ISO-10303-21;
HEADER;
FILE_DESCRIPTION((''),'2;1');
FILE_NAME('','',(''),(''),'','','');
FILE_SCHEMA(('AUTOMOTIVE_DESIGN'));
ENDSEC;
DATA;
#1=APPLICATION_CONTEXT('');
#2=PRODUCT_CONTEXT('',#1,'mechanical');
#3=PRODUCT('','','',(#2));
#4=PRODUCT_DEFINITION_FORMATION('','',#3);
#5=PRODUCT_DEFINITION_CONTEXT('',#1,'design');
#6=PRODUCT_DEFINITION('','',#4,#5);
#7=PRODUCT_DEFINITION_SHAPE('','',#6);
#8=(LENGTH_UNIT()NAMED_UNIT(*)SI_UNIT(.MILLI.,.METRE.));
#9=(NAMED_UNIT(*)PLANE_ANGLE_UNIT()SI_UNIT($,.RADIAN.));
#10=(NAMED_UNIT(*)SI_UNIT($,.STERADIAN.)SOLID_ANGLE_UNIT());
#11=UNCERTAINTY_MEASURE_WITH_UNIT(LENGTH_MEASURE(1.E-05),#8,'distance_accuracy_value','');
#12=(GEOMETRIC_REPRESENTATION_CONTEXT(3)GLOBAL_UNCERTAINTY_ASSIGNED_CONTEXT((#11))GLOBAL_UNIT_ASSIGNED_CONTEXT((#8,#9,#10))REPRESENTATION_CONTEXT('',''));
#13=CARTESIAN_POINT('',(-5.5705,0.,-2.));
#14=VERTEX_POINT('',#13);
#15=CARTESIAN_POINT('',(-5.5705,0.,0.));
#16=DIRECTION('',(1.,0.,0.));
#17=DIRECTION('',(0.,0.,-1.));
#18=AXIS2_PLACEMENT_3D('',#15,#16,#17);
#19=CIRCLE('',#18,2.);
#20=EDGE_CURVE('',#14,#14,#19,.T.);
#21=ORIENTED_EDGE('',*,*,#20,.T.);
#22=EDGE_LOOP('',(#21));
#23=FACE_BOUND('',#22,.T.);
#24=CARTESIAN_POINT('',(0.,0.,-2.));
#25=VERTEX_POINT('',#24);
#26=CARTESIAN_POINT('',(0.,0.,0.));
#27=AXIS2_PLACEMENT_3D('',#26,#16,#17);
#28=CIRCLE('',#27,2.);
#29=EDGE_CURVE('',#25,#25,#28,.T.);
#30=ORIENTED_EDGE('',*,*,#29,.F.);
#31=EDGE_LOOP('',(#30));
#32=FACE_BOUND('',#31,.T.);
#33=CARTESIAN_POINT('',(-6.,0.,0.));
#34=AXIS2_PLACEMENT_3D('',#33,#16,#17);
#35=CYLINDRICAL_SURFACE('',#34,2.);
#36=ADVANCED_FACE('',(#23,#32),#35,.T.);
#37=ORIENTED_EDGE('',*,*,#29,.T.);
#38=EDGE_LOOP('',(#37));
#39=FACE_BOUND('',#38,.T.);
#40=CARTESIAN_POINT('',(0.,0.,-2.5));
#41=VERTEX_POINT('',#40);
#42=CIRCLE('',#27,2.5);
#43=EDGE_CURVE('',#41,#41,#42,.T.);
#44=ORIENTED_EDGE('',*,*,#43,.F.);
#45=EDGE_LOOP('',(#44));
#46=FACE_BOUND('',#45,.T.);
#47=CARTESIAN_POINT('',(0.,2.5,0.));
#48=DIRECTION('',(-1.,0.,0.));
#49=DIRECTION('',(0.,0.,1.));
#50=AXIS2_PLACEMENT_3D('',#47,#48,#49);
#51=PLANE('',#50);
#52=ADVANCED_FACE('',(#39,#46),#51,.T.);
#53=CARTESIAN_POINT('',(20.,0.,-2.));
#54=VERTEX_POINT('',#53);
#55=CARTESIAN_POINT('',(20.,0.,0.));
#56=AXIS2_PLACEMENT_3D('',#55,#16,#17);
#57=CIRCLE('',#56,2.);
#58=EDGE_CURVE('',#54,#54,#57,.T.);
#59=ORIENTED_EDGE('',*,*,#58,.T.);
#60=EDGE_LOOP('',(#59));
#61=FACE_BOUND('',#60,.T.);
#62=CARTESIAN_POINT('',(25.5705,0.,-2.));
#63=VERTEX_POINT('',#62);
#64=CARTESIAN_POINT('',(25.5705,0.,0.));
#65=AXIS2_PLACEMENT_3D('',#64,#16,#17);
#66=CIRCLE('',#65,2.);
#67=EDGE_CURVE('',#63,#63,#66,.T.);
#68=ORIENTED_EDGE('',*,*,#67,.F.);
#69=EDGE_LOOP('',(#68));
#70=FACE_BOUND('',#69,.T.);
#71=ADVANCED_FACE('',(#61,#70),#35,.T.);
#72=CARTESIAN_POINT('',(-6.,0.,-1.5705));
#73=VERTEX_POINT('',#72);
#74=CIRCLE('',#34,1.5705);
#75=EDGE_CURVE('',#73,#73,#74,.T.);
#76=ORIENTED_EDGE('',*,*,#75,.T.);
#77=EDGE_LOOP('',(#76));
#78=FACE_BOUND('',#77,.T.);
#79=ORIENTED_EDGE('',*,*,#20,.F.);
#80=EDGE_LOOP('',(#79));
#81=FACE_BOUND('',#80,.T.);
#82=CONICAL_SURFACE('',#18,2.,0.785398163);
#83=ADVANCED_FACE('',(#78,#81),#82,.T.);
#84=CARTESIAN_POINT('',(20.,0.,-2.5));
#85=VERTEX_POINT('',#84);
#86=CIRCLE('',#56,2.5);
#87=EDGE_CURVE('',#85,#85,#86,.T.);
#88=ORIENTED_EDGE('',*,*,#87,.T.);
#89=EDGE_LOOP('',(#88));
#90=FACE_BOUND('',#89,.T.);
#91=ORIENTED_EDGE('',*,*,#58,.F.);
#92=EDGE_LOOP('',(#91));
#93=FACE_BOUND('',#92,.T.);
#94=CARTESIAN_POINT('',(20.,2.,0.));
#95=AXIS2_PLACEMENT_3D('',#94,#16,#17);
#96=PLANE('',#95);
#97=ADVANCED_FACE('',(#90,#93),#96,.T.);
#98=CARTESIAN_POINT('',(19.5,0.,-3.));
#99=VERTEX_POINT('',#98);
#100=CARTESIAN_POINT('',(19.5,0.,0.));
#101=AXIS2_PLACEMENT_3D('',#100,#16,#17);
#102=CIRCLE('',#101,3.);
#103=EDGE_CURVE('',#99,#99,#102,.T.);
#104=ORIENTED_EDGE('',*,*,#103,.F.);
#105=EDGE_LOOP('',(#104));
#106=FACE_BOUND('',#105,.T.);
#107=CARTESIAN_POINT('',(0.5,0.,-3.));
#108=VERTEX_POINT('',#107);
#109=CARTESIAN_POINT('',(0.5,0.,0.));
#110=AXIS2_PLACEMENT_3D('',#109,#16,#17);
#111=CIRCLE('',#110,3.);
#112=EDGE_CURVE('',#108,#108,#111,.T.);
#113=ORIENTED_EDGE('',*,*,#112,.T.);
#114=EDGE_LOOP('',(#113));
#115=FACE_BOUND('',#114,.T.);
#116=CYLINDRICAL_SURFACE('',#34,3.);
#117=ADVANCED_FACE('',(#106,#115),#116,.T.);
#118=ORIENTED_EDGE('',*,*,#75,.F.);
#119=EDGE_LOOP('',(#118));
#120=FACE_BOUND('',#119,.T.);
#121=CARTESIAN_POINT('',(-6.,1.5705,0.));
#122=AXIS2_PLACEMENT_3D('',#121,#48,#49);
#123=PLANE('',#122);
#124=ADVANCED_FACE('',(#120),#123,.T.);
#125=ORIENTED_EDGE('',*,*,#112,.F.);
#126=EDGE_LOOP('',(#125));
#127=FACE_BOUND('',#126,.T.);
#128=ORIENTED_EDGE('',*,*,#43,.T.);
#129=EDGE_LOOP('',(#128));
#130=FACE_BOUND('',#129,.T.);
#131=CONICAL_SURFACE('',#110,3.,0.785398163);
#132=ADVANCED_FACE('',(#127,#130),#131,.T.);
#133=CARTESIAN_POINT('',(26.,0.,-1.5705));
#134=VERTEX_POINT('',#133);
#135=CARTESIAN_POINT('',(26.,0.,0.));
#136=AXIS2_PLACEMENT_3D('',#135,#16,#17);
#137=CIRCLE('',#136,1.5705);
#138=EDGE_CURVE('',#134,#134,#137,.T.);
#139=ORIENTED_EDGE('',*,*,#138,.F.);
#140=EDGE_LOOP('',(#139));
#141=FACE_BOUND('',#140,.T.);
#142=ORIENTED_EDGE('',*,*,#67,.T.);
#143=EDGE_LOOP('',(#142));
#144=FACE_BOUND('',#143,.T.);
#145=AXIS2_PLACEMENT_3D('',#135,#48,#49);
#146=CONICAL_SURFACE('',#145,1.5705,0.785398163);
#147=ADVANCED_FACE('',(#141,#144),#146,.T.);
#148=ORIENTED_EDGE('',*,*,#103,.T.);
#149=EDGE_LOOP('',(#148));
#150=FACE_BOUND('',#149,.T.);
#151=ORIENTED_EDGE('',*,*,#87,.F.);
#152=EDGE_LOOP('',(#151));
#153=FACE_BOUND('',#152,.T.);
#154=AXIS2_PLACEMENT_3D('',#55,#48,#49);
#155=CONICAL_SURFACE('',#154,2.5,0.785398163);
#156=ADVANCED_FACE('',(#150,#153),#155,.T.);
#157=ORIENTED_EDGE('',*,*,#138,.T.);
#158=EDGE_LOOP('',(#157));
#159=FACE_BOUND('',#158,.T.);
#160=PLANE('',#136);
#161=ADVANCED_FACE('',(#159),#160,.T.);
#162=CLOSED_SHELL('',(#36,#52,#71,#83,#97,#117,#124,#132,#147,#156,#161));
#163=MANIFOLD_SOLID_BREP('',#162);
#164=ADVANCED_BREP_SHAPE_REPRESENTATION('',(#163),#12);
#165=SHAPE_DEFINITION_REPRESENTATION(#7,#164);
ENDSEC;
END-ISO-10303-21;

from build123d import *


with BuildPart() as part:
    # Sketch1 → Revolve1 (revolve)
    with BuildSketch(Plane.XY, mode=Mode.PRIVATE) as revolve1_sk:
        Polygon((-6, 1.5705), (-6, 0), (26, 0), (26, 1.5705), (25.5705, 2), (20, 2), (20, 2.5), (19.5, 3), (0.5, 3), (0, 2.5), (0, 2), (-5.5705, 2), align=None)
    revolve(revolve1_sk.sketch.rotate(Axis((-6, 0, 0), (1, 0, 0)), 270), axis=Axis((-6, 0, 0), (1, 0, 0)))


solid = part.part
